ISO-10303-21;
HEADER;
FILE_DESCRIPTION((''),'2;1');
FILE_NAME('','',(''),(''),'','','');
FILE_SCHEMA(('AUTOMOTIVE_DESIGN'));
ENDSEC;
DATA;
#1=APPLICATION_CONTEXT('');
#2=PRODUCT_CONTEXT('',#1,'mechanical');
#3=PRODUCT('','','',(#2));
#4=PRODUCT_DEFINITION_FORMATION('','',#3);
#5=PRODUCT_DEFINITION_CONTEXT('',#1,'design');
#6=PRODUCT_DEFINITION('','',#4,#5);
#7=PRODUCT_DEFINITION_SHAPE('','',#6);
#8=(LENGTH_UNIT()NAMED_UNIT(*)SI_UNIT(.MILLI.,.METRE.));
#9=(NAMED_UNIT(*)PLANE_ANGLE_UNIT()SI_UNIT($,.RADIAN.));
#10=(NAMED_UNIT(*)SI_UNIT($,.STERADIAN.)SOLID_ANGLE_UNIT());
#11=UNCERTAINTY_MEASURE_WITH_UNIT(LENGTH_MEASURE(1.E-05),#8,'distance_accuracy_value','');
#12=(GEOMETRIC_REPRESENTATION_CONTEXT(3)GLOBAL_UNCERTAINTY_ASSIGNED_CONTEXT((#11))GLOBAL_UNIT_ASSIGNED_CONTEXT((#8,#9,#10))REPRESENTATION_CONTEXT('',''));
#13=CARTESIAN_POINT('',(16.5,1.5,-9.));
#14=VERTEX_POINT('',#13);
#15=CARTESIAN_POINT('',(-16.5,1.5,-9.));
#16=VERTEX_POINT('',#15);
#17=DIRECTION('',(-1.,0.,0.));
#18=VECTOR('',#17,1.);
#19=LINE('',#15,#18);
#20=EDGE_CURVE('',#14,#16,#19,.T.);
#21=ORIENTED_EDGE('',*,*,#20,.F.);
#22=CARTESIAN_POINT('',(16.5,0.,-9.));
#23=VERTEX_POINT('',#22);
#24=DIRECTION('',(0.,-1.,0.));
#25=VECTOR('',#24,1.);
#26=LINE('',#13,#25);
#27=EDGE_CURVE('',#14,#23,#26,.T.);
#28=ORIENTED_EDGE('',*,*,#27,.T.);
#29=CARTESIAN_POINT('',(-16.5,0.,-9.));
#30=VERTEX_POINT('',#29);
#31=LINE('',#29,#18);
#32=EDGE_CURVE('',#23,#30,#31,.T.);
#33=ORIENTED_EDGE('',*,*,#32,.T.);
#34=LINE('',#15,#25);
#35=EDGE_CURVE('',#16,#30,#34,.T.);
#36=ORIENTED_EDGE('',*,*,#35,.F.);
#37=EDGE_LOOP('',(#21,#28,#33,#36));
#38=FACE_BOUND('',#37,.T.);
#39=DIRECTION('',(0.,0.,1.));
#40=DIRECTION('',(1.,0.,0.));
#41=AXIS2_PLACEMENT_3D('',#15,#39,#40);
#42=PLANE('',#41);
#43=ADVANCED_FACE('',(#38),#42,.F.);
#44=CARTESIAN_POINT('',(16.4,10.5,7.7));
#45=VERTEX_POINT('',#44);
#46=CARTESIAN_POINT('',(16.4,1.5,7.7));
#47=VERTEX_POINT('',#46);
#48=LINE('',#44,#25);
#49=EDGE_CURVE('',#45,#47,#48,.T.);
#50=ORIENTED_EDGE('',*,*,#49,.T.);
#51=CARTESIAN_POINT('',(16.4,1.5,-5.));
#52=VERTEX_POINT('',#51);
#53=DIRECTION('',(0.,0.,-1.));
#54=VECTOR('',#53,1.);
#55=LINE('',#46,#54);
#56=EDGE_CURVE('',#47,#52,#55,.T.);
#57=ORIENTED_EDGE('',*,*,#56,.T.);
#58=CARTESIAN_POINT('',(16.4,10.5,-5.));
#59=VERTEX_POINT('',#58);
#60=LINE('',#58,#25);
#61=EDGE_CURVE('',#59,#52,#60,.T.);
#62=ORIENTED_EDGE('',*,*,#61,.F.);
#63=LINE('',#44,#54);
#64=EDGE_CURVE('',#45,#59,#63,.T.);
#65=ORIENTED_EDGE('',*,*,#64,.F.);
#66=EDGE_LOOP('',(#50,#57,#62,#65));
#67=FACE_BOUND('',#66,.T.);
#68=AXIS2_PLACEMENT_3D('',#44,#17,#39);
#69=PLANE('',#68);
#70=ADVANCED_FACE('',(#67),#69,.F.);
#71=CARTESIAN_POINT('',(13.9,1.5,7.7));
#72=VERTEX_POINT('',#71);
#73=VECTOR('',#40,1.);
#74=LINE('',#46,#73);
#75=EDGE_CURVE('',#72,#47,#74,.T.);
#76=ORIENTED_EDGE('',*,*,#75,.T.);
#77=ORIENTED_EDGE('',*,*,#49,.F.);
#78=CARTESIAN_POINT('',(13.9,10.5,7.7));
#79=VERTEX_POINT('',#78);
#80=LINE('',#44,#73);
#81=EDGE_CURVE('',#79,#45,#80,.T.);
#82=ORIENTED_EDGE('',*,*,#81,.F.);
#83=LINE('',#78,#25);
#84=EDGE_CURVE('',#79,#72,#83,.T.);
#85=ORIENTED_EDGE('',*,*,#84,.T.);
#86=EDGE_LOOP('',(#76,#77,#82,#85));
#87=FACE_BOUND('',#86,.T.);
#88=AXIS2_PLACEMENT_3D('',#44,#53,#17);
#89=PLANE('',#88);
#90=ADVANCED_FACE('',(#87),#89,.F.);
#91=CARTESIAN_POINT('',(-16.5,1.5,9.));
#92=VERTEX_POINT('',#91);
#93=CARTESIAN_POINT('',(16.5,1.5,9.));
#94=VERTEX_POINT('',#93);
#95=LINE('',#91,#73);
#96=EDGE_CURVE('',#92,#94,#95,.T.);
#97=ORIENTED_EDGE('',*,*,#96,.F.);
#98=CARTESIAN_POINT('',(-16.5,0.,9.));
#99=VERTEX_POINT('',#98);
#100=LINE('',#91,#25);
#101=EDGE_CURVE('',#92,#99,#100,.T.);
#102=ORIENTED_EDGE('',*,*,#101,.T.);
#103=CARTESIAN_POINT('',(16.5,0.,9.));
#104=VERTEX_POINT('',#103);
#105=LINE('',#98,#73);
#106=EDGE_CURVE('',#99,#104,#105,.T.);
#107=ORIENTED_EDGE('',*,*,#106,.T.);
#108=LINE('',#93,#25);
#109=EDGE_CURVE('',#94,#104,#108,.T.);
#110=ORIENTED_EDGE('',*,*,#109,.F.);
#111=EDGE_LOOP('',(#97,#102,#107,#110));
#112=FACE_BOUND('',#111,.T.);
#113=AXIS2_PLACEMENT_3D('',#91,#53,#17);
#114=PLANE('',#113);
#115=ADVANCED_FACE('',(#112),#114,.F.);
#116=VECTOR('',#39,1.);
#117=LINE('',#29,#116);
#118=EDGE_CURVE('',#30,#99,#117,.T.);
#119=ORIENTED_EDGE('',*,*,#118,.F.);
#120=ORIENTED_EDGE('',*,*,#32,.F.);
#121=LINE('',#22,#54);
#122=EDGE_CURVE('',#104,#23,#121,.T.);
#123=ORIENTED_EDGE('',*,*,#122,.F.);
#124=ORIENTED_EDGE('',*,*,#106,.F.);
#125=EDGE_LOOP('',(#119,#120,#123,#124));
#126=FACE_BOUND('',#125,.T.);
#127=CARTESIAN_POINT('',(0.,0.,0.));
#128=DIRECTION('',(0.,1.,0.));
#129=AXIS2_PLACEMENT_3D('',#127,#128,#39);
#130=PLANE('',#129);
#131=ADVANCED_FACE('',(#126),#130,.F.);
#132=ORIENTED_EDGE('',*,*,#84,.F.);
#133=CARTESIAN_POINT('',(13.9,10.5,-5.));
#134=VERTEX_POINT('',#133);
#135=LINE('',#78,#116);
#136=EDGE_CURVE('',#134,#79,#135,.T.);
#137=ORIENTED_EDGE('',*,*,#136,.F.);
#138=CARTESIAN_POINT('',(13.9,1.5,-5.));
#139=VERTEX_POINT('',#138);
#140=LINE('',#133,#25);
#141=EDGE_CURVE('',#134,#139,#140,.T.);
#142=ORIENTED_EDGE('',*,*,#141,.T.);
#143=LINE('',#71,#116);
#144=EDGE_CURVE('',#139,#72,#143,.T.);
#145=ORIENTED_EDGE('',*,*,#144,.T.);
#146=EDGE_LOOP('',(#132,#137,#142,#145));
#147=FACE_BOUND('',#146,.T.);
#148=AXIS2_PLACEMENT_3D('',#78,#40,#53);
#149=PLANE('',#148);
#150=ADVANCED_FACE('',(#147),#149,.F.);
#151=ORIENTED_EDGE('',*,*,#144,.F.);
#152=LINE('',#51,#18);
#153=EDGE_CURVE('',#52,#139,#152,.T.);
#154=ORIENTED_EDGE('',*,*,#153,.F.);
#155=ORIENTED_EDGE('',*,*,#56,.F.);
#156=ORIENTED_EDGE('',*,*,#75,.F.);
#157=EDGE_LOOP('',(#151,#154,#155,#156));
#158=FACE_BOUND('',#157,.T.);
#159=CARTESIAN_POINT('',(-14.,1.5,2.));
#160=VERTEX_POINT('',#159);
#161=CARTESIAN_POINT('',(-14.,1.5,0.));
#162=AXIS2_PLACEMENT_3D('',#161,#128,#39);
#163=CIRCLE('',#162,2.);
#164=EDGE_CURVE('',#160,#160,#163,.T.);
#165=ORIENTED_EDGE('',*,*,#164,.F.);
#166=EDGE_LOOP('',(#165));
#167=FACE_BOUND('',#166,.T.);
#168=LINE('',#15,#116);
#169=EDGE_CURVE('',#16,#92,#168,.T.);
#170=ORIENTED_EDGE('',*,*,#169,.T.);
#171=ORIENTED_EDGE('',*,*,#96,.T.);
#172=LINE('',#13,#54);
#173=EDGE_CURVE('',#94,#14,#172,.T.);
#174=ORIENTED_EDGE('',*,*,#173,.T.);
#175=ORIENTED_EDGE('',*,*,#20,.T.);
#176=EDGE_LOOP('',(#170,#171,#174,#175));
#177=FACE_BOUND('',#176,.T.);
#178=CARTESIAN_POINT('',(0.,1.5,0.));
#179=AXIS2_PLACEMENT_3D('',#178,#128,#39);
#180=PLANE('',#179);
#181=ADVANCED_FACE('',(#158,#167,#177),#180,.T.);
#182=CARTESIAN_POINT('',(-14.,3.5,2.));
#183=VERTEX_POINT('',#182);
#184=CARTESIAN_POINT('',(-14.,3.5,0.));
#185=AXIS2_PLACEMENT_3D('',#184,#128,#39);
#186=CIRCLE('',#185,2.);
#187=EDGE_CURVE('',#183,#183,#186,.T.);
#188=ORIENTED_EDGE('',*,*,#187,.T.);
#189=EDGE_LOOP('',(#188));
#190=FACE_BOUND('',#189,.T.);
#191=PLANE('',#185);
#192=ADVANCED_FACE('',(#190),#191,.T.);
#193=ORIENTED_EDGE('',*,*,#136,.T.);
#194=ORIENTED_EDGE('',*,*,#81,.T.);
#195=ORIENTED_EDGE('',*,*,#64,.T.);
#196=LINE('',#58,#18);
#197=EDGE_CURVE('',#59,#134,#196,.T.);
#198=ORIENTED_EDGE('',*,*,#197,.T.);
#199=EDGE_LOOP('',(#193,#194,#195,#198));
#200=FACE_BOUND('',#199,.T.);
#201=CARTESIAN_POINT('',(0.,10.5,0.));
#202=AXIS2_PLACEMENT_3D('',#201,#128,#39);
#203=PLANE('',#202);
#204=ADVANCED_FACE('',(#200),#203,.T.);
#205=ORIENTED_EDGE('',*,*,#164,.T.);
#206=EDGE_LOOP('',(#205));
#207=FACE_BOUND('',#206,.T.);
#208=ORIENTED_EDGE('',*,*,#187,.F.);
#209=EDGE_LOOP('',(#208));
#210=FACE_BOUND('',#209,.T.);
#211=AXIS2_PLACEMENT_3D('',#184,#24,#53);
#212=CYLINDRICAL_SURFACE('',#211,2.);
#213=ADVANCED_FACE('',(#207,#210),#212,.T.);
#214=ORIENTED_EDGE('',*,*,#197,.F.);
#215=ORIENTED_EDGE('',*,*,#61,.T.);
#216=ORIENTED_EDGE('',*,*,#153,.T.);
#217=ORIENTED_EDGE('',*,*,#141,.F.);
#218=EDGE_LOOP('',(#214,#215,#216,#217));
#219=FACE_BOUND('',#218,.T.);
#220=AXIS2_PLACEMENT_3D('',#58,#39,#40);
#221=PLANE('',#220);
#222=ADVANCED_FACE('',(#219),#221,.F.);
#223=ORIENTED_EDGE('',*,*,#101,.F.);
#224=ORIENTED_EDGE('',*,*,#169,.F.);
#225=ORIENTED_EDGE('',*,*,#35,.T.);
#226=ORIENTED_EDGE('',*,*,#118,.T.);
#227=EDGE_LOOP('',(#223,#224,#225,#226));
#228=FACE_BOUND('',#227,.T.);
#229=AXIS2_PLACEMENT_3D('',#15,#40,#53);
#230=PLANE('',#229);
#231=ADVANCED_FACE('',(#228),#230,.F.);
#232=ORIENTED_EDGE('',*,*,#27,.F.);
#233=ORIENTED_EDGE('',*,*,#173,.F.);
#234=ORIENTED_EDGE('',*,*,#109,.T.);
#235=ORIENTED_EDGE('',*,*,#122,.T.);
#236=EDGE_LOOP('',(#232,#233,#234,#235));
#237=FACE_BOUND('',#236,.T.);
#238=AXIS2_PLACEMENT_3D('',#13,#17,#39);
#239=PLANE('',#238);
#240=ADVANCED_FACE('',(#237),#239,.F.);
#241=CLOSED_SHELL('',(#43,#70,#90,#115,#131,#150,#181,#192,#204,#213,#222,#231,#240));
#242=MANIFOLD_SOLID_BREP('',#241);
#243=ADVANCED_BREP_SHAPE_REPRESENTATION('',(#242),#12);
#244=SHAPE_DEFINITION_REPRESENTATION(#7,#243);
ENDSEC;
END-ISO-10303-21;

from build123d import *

# Parameters (mm, degrees)
SKETCH1_W           = 33
SKETCH1_H           = 18
BOSS_EXTRUDE1_DEPTH = 1.5
SKETCH2_W           = 2.5
SKETCH2_H           = 12.7
BOSS_EXTRUDE2_DEPTH = 9
SKETCH3_R           = 2
BOSS_EXTRUDE3_DEPTH = 2


with BuildPart() as part:
    # Sketch1 → Boss-Extrude1 (new body)
    with BuildSketch(Plane(origin=(0, 0, 0), x_dir=(1, 0, 0), z_dir=(0, 1, 0))):
        Rectangle(SKETCH1_W, SKETCH1_H)
    extrude(amount=BOSS_EXTRUDE1_DEPTH)

    # Sketch2 → Boss-Extrude2 (add)
    with BuildSketch(Plane(origin=(0, 1.5, 0), x_dir=(1, 0, 0), z_dir=(0, 1, 0))):
        with Locations((15.15, -1.35)):
            Rectangle(SKETCH2_W, SKETCH2_H)
    extrude(amount=BOSS_EXTRUDE2_DEPTH)

    # Sketch3 → Boss-Extrude3 (add)
    with BuildSketch(Plane(origin=(0, 1.5, 0), x_dir=(1, 0, 0), z_dir=(0, 1, 0))):
        with Locations(Location((-14, 0, 0), (0, 0, 270))):
            Circle(SKETCH3_R)
    extrude(amount=BOSS_EXTRUDE3_DEPTH)


solid = part.part
